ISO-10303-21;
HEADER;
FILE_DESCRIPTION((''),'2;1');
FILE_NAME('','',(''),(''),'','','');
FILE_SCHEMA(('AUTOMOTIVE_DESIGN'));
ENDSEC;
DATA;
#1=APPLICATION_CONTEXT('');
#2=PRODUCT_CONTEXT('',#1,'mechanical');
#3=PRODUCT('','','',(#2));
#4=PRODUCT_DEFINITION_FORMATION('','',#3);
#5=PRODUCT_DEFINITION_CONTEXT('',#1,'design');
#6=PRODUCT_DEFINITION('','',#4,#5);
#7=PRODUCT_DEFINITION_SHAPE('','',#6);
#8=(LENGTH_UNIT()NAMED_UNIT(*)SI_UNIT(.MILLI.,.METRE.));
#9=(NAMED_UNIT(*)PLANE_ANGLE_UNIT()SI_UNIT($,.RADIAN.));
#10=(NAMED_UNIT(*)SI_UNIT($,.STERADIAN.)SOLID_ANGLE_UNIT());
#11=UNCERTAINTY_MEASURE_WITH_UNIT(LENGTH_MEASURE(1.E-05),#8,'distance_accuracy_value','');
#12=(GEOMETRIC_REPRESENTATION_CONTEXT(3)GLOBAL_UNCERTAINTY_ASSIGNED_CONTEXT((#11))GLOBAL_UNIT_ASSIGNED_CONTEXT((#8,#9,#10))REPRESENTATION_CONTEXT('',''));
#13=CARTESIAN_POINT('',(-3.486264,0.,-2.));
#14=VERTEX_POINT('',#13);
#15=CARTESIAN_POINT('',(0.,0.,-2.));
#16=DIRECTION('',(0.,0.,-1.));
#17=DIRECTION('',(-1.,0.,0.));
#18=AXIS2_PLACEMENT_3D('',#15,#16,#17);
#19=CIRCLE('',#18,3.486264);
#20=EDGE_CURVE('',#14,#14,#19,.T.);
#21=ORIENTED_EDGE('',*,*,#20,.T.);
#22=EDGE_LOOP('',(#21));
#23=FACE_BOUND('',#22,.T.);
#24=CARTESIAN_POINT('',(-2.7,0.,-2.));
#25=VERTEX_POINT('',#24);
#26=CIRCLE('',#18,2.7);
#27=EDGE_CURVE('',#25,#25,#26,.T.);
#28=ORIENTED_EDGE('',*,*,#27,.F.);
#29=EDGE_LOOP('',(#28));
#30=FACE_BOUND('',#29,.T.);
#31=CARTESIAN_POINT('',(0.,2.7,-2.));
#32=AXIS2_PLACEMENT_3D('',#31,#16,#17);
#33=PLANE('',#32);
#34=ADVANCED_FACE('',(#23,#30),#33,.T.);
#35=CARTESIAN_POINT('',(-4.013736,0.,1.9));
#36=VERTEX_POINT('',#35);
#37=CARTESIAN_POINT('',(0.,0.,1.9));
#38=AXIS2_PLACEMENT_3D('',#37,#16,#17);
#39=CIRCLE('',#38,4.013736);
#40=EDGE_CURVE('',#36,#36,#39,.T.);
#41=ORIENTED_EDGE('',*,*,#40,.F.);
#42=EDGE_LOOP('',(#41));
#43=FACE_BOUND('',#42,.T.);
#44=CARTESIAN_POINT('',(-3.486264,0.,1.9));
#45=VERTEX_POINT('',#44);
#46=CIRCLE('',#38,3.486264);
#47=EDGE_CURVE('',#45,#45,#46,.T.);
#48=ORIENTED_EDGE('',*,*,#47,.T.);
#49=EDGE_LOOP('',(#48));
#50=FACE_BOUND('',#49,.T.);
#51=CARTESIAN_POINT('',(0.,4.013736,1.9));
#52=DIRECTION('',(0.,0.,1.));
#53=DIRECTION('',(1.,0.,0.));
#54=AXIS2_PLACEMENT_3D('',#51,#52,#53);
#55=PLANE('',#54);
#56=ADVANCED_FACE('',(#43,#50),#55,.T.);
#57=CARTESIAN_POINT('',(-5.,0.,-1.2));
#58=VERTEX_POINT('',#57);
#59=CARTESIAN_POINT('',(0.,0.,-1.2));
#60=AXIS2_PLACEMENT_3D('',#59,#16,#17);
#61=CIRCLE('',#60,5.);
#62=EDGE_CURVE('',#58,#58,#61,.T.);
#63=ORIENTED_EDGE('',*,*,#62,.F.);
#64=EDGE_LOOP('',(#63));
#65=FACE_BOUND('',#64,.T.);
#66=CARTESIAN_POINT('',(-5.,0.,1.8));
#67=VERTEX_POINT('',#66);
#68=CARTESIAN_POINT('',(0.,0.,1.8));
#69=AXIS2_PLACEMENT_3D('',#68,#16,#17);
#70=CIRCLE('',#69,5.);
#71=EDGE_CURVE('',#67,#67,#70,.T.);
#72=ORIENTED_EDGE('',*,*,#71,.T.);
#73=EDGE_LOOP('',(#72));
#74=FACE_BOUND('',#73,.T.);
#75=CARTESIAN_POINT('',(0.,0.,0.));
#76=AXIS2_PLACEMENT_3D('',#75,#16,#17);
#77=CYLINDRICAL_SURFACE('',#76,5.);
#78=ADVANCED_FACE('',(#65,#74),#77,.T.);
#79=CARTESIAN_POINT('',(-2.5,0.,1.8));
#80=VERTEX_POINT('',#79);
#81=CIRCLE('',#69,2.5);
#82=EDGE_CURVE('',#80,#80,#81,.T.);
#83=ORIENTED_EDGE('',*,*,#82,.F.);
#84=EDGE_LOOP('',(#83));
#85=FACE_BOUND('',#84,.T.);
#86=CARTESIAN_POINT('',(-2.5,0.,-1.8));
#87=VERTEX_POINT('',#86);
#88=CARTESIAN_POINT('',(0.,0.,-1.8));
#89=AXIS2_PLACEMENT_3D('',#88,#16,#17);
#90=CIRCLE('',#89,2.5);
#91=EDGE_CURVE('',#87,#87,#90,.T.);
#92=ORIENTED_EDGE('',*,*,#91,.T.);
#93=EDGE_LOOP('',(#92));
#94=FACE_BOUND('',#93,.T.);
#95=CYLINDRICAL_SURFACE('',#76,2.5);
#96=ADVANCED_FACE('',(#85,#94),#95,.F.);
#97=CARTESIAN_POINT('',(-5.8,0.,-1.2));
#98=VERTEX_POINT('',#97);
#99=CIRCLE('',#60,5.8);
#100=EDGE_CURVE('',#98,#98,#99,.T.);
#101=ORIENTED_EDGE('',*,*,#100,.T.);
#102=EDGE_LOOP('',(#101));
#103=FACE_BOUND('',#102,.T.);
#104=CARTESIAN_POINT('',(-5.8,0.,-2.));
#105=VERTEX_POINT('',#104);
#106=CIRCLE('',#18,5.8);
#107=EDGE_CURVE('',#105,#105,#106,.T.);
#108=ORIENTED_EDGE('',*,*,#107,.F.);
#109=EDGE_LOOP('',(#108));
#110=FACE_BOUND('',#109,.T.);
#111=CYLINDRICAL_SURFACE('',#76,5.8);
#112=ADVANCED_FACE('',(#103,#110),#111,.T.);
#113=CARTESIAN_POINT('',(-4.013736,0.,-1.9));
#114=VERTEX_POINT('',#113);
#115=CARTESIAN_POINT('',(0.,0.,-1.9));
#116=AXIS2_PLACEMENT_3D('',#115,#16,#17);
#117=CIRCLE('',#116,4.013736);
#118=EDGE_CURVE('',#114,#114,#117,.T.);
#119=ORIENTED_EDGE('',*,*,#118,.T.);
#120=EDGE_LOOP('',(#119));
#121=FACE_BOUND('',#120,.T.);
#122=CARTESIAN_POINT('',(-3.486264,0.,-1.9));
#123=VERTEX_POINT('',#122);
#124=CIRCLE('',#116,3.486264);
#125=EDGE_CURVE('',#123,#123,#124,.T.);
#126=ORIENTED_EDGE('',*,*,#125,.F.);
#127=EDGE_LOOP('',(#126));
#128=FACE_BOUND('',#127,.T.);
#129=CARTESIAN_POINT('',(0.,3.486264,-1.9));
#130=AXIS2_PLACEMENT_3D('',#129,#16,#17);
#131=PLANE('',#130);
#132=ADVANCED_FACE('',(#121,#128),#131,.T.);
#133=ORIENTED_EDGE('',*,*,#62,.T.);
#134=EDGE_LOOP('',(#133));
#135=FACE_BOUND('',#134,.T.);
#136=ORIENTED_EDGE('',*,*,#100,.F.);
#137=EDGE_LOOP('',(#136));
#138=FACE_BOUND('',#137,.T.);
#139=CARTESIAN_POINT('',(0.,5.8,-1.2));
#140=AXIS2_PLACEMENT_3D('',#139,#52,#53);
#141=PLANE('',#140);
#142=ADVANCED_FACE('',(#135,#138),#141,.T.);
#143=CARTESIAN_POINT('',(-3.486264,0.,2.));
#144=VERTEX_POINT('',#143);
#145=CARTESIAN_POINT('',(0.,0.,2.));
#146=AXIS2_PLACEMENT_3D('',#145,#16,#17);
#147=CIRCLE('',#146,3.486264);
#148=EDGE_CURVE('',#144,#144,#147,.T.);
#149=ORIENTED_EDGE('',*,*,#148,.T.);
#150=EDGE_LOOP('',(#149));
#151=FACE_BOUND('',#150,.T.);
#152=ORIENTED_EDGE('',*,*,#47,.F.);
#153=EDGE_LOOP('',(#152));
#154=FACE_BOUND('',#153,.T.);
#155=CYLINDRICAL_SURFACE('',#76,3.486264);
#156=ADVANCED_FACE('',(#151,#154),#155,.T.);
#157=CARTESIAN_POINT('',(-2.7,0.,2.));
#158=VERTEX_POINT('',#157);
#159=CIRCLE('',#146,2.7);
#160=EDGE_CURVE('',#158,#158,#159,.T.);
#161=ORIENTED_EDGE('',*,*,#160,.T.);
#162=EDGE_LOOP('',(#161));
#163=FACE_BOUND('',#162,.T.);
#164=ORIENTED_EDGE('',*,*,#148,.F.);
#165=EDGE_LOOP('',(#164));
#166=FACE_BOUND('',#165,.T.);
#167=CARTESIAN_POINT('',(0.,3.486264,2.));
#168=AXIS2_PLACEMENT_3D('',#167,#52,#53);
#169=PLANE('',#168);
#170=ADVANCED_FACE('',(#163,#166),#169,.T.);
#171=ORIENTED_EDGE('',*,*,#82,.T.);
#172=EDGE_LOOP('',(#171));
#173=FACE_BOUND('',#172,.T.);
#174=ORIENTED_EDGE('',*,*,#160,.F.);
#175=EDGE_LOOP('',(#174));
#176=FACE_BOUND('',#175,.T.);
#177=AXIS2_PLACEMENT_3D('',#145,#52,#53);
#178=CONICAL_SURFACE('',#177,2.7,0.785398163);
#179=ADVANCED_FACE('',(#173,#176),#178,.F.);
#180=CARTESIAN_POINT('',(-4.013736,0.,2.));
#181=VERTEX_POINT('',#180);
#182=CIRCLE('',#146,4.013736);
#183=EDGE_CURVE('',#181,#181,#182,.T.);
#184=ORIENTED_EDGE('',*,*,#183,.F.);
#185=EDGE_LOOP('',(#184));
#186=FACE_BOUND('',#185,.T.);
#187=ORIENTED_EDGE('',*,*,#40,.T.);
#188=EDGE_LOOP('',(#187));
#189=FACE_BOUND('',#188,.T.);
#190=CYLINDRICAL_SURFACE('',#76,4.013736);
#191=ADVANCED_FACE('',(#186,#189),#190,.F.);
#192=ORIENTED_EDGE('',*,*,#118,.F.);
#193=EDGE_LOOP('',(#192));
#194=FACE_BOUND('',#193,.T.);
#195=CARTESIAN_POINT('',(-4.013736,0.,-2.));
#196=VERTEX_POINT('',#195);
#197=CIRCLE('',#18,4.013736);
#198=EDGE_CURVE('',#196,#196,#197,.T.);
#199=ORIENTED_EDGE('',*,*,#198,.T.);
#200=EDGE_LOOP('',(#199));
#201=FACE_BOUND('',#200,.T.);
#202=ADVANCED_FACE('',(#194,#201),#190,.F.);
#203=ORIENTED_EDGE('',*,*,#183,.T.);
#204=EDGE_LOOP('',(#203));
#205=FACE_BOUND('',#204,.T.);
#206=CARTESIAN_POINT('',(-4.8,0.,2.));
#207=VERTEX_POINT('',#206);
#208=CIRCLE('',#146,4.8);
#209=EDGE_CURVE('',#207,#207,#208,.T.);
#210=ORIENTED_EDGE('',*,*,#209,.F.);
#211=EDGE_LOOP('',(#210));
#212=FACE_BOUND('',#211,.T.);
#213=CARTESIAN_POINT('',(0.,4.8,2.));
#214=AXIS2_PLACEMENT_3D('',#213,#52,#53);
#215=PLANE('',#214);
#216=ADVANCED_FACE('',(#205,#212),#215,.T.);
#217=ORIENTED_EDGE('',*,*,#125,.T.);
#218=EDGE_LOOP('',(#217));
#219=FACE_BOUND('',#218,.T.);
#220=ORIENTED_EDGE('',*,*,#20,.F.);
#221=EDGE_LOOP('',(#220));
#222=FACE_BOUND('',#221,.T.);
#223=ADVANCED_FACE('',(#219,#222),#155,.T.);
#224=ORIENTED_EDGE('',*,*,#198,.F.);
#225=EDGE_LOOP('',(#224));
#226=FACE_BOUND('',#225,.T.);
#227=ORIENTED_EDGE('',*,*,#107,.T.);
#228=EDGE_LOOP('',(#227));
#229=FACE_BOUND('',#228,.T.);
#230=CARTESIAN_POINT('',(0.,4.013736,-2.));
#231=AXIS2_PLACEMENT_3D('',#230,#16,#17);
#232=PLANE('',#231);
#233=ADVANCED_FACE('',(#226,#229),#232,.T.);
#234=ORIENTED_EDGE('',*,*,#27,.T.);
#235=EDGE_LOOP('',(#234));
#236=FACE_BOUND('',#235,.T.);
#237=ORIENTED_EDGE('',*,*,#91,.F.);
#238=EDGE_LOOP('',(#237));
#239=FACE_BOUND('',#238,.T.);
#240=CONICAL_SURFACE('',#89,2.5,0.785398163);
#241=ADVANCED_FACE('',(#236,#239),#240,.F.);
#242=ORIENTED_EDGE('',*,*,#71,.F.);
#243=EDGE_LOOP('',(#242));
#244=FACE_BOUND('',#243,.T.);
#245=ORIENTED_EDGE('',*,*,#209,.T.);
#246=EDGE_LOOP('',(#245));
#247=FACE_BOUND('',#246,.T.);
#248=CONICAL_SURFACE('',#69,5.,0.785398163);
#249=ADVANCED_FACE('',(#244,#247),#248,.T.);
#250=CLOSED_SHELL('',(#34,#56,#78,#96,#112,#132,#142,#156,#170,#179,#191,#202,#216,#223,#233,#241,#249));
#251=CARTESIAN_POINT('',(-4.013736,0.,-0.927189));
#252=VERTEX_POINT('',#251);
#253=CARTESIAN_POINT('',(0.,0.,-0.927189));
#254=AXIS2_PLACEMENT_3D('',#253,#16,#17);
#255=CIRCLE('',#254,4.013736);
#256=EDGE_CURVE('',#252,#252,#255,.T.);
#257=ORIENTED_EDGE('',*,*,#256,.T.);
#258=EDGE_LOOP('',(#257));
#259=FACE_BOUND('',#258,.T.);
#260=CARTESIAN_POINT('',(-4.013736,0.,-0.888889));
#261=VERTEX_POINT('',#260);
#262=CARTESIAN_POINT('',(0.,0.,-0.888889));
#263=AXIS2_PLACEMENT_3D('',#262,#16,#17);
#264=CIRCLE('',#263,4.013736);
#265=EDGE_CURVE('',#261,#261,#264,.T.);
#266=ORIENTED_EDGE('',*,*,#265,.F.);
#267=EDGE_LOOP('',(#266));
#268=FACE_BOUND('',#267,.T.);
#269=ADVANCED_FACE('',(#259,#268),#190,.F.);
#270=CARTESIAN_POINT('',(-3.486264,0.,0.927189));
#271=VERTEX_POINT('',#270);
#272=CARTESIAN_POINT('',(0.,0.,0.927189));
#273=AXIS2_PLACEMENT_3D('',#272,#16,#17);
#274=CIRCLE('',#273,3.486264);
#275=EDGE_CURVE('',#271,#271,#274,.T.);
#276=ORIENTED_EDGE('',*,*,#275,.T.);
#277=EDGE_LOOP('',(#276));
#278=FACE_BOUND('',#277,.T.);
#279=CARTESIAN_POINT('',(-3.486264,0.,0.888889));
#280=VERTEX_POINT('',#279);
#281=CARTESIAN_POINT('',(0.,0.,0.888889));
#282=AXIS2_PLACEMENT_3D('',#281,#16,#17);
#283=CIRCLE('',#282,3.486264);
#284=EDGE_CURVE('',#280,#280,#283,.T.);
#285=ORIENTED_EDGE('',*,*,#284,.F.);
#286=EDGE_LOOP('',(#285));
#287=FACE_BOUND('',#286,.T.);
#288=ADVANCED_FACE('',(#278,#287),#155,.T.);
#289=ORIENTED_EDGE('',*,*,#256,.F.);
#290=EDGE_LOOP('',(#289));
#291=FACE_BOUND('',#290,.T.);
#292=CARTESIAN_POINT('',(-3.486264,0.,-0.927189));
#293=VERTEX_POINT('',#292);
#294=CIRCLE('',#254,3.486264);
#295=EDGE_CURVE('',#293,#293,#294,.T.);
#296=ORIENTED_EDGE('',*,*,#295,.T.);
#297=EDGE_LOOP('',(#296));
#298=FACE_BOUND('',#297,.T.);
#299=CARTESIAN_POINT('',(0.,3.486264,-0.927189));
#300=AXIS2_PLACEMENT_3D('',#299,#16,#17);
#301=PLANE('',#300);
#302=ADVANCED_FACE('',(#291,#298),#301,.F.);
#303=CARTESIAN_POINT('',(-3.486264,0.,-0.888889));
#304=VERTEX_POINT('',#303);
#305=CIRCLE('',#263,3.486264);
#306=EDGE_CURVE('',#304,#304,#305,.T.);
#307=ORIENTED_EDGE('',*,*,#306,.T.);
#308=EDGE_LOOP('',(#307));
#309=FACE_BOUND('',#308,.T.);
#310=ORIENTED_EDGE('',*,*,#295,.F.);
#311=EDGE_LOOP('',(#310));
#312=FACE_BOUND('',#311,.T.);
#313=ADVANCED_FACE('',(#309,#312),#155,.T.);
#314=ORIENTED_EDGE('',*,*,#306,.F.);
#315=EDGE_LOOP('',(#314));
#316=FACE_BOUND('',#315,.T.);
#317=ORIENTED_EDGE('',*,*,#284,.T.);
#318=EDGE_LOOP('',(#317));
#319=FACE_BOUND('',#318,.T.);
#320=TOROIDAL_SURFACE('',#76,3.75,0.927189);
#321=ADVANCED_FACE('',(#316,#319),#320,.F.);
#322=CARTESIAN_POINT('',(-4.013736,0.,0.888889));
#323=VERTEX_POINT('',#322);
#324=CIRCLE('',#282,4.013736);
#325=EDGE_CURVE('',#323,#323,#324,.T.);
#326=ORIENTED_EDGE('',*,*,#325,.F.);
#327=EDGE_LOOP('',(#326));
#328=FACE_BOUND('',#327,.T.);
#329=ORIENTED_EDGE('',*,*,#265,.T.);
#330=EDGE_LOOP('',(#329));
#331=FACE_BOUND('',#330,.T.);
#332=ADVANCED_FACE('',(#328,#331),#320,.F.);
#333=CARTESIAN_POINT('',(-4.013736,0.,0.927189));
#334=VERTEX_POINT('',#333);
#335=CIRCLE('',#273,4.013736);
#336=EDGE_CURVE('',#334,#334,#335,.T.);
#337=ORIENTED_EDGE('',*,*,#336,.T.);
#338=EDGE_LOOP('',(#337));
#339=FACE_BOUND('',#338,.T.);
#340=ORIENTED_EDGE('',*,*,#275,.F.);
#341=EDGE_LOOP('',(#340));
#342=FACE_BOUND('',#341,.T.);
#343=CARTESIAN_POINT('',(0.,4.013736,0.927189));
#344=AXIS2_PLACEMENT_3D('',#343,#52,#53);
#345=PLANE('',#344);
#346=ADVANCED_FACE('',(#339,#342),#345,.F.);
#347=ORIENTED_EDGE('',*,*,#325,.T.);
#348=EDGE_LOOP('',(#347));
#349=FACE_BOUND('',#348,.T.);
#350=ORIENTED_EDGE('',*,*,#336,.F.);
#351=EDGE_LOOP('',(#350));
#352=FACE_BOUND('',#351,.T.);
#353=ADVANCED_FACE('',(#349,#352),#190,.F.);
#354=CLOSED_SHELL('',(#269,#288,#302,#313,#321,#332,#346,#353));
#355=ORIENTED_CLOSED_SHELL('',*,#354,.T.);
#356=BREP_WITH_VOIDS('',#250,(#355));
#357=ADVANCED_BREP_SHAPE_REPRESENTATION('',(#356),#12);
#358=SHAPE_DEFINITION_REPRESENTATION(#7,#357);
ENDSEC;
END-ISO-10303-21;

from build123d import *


with BuildPart() as part:
    # Sketch1 → Revolve1 (revolve)
    with BuildSketch(Plane(origin=(0, 0, 0), x_dir=(0, 0, -1), z_dir=(1, 0, 0)), mode=Mode.PRIVATE) as revolve1_sk:
        Polygon((2, 5.8), (1.2, 5.8), (1.2, 5), (-1.8, 5), (-2, 4.8), (-2, 4.013736264), (-1.9, 4.013736264), (-1.9, 3.486263736), (-2, 3.486263736), (-2, 2.7), (-1.8, 2.5), (1.8, 2.5), (2, 2.7), (2, 3.486263736), (1.9, 3.486263736), (1.9, 4.013736264), (2, 4.013736264), align=None)
        with BuildLine():
            Line((-0.888888889, 4.013736264), (-0.927189449, 4.013736264))
            Line((-0.927189449, 4.013736264), (-0.927189449, 3.486263736))
            Line((-0.927189449, 3.486263736), (-0.888888889, 3.486263736))
            ThreePointArc((-0.888888889, 3.486263736), (0, 2.822810552), (0.888888889, 3.486263736))
            Line((0.888888889, 3.486263736), (0.927189449, 3.486263736))
            Line((0.927189449, 3.486263736), (0.927189449, 4.013736264))
            Line((0.927189449, 4.013736264), (0.888888889, 4.013736264))
            ThreePointArc((0.888888889, 4.013736264), (0, 4.677189449), (-0.888888889, 4.013736264))
        make_face(mode=Mode.SUBTRACT)
    revolve(revolve1_sk.sketch.rotate(Axis((0, 0, 0), (0, 0, 1)), 90), axis=Axis((0, 0, 0), (0, 0, 1)))


solid = part.part
